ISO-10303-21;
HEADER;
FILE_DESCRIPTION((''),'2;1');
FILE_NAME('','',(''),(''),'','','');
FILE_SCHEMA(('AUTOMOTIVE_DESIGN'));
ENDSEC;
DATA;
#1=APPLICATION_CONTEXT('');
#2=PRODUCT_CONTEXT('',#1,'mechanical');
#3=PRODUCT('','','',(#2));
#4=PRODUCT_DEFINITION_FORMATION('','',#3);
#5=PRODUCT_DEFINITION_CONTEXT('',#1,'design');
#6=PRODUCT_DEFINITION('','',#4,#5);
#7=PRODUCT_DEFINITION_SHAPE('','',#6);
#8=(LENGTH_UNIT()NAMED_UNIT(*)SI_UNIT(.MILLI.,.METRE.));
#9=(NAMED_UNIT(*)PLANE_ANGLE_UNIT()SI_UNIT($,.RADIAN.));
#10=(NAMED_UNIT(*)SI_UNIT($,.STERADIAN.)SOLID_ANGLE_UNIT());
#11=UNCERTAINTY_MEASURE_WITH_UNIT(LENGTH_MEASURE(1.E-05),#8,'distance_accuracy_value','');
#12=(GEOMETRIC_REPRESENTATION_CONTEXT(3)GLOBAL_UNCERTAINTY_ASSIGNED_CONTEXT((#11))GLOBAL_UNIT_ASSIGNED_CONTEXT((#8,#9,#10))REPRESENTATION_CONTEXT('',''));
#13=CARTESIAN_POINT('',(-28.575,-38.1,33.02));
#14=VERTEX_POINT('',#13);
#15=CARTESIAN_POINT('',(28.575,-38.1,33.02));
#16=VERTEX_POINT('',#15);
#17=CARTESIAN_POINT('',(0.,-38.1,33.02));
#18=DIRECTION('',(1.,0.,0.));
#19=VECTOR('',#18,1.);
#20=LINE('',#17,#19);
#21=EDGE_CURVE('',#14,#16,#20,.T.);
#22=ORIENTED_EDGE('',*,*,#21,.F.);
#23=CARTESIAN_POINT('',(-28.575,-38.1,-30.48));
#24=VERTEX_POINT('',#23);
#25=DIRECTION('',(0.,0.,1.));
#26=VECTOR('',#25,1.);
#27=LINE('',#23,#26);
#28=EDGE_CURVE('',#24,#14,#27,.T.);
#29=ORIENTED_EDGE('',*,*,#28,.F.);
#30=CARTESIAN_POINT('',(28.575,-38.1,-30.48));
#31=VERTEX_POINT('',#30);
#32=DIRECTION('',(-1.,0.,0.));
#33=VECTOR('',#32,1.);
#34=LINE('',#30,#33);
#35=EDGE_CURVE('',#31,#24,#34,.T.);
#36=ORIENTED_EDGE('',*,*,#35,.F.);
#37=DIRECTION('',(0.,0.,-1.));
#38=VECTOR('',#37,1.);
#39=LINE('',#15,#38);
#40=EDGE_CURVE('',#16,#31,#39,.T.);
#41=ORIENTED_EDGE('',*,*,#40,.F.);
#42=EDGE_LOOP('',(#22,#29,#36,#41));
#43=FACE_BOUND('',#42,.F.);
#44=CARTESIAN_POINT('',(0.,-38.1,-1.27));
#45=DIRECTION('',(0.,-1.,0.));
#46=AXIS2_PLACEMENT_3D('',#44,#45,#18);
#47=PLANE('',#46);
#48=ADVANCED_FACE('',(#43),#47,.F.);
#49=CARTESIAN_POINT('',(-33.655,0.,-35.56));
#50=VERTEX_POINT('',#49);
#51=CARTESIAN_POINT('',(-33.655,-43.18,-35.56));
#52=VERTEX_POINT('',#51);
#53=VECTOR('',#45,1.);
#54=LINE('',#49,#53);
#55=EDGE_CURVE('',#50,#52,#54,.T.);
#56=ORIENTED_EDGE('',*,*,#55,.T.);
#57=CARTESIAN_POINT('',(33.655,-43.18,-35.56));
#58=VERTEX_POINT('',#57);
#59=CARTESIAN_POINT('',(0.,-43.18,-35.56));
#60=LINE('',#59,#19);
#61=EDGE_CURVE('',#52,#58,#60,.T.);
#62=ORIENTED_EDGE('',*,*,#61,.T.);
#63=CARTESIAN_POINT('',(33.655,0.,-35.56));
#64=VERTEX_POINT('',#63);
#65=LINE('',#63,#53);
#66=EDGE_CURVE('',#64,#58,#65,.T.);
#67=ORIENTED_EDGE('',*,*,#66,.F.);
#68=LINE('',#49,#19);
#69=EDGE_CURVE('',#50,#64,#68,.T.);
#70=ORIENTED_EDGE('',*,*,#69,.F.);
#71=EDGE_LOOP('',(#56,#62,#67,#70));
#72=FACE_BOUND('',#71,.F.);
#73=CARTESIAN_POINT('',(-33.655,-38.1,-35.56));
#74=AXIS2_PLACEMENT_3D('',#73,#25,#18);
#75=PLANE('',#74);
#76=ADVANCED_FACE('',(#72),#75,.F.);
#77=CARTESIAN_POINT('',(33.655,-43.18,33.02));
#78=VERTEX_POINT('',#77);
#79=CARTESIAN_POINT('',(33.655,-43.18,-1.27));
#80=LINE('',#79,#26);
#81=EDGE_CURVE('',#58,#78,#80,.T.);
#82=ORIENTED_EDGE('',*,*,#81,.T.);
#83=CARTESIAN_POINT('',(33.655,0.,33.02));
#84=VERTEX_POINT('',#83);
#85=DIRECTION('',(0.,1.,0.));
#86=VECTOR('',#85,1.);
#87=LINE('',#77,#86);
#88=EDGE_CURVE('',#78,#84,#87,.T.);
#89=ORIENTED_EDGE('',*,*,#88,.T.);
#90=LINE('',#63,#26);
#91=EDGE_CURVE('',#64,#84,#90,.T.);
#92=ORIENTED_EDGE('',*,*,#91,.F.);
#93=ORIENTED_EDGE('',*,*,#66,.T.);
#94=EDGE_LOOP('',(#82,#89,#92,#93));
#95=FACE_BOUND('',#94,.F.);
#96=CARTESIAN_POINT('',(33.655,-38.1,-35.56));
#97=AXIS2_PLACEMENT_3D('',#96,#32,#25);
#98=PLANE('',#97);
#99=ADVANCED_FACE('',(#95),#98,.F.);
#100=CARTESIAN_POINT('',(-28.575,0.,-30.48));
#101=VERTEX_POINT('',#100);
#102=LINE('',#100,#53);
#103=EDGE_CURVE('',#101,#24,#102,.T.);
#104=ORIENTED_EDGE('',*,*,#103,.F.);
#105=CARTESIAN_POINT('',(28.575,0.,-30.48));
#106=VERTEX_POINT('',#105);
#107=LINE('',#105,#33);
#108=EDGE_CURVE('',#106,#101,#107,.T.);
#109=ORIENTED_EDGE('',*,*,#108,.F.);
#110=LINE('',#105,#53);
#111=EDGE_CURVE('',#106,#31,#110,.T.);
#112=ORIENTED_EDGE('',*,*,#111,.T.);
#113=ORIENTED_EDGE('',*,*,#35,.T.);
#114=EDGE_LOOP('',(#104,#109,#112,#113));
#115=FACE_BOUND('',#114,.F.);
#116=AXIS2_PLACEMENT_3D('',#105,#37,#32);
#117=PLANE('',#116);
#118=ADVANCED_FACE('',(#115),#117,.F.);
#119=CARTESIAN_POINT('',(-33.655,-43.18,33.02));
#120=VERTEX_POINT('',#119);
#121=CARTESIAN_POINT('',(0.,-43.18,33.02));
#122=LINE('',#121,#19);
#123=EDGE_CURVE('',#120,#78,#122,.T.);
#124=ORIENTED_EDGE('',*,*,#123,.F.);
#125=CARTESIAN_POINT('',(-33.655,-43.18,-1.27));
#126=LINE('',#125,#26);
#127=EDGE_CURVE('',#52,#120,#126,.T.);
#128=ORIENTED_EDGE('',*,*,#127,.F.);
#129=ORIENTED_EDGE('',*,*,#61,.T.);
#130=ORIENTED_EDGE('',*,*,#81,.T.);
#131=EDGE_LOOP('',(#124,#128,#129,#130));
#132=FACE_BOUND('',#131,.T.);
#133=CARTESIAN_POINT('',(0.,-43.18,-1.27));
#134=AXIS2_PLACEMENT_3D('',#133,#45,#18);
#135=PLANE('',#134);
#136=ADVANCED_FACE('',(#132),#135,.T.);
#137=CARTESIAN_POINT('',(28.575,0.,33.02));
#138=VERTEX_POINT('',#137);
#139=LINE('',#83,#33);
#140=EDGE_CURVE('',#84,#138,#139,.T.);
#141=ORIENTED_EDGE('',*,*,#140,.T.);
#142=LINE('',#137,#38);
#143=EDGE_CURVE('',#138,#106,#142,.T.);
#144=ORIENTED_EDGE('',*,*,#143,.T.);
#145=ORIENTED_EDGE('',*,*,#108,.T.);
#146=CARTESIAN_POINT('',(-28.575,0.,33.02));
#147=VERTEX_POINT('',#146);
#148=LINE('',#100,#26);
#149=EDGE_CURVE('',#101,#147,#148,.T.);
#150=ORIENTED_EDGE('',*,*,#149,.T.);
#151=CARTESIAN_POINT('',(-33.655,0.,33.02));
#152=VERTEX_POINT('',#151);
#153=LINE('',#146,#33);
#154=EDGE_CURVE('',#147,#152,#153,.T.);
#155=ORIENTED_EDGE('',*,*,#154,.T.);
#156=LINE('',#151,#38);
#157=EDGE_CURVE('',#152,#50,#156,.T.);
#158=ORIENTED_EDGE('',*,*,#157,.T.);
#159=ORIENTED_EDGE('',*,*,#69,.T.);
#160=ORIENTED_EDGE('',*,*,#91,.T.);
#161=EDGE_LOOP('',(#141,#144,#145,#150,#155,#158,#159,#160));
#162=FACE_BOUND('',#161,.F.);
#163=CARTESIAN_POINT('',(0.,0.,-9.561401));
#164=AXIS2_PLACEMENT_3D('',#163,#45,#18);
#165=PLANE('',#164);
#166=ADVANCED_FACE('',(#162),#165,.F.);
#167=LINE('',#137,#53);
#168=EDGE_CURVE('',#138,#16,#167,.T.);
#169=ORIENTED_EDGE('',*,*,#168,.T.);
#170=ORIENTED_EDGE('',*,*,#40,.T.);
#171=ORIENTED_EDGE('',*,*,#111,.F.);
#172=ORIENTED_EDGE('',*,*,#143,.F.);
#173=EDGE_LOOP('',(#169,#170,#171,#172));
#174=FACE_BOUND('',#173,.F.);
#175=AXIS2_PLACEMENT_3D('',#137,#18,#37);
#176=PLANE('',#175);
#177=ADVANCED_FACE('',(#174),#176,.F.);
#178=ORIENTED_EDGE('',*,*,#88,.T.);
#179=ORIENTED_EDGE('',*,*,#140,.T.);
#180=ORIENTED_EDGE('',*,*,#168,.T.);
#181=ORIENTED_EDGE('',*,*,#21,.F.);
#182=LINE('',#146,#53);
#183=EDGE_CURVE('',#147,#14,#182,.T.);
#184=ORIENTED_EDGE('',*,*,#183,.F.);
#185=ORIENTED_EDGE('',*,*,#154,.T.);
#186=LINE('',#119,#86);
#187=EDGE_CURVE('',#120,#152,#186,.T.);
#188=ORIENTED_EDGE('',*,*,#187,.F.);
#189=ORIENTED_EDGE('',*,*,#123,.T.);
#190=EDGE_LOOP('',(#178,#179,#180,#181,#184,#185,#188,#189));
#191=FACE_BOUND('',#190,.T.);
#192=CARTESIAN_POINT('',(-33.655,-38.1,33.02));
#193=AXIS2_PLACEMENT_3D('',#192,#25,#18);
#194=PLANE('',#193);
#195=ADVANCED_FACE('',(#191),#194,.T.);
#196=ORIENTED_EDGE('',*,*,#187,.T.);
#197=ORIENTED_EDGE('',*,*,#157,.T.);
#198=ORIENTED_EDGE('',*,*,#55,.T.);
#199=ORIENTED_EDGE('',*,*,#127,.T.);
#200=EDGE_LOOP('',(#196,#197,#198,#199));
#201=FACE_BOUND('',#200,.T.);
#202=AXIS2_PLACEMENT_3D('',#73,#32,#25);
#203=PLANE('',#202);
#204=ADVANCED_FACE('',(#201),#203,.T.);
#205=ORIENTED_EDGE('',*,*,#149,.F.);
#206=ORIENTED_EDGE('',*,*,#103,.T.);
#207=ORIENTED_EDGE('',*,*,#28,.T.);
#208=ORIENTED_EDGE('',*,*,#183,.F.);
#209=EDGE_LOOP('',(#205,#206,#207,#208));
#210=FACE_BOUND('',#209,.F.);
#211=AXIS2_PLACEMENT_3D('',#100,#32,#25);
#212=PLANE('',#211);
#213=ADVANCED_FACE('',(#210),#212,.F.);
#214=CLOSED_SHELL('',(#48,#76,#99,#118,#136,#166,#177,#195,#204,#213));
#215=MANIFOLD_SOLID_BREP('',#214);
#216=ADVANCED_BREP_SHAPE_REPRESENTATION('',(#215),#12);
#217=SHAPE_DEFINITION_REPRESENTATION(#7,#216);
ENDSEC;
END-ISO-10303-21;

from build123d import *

# Parameters (mm, degrees)
F1_DEPTH = 38.1
F2_W     = 67.31
F2_H     = 68.58
F3_DEPTH = 5.08


with BuildPart() as f1:
    # F0 (on Front) → F1 (new body)
    with BuildSketch(Plane.XZ):
        Polygon((-28.575, -30.48), (-28.575, 33.02), (-33.655, 33.02), (-33.655, -35.56), (33.655, -35.56), (33.655, 33.02), (28.575, 33.02), (28.575, -30.48), align=None)
    extrude(amount=F1_DEPTH)

    # F2 (on face) → F3 (join)
    with BuildSketch(Plane.XZ.offset(38.1)):
        with Locations((0, -1.27)):
            Rectangle(F2_W, F2_H)
    extrude(amount=F3_DEPTH)


solid = f1.part
